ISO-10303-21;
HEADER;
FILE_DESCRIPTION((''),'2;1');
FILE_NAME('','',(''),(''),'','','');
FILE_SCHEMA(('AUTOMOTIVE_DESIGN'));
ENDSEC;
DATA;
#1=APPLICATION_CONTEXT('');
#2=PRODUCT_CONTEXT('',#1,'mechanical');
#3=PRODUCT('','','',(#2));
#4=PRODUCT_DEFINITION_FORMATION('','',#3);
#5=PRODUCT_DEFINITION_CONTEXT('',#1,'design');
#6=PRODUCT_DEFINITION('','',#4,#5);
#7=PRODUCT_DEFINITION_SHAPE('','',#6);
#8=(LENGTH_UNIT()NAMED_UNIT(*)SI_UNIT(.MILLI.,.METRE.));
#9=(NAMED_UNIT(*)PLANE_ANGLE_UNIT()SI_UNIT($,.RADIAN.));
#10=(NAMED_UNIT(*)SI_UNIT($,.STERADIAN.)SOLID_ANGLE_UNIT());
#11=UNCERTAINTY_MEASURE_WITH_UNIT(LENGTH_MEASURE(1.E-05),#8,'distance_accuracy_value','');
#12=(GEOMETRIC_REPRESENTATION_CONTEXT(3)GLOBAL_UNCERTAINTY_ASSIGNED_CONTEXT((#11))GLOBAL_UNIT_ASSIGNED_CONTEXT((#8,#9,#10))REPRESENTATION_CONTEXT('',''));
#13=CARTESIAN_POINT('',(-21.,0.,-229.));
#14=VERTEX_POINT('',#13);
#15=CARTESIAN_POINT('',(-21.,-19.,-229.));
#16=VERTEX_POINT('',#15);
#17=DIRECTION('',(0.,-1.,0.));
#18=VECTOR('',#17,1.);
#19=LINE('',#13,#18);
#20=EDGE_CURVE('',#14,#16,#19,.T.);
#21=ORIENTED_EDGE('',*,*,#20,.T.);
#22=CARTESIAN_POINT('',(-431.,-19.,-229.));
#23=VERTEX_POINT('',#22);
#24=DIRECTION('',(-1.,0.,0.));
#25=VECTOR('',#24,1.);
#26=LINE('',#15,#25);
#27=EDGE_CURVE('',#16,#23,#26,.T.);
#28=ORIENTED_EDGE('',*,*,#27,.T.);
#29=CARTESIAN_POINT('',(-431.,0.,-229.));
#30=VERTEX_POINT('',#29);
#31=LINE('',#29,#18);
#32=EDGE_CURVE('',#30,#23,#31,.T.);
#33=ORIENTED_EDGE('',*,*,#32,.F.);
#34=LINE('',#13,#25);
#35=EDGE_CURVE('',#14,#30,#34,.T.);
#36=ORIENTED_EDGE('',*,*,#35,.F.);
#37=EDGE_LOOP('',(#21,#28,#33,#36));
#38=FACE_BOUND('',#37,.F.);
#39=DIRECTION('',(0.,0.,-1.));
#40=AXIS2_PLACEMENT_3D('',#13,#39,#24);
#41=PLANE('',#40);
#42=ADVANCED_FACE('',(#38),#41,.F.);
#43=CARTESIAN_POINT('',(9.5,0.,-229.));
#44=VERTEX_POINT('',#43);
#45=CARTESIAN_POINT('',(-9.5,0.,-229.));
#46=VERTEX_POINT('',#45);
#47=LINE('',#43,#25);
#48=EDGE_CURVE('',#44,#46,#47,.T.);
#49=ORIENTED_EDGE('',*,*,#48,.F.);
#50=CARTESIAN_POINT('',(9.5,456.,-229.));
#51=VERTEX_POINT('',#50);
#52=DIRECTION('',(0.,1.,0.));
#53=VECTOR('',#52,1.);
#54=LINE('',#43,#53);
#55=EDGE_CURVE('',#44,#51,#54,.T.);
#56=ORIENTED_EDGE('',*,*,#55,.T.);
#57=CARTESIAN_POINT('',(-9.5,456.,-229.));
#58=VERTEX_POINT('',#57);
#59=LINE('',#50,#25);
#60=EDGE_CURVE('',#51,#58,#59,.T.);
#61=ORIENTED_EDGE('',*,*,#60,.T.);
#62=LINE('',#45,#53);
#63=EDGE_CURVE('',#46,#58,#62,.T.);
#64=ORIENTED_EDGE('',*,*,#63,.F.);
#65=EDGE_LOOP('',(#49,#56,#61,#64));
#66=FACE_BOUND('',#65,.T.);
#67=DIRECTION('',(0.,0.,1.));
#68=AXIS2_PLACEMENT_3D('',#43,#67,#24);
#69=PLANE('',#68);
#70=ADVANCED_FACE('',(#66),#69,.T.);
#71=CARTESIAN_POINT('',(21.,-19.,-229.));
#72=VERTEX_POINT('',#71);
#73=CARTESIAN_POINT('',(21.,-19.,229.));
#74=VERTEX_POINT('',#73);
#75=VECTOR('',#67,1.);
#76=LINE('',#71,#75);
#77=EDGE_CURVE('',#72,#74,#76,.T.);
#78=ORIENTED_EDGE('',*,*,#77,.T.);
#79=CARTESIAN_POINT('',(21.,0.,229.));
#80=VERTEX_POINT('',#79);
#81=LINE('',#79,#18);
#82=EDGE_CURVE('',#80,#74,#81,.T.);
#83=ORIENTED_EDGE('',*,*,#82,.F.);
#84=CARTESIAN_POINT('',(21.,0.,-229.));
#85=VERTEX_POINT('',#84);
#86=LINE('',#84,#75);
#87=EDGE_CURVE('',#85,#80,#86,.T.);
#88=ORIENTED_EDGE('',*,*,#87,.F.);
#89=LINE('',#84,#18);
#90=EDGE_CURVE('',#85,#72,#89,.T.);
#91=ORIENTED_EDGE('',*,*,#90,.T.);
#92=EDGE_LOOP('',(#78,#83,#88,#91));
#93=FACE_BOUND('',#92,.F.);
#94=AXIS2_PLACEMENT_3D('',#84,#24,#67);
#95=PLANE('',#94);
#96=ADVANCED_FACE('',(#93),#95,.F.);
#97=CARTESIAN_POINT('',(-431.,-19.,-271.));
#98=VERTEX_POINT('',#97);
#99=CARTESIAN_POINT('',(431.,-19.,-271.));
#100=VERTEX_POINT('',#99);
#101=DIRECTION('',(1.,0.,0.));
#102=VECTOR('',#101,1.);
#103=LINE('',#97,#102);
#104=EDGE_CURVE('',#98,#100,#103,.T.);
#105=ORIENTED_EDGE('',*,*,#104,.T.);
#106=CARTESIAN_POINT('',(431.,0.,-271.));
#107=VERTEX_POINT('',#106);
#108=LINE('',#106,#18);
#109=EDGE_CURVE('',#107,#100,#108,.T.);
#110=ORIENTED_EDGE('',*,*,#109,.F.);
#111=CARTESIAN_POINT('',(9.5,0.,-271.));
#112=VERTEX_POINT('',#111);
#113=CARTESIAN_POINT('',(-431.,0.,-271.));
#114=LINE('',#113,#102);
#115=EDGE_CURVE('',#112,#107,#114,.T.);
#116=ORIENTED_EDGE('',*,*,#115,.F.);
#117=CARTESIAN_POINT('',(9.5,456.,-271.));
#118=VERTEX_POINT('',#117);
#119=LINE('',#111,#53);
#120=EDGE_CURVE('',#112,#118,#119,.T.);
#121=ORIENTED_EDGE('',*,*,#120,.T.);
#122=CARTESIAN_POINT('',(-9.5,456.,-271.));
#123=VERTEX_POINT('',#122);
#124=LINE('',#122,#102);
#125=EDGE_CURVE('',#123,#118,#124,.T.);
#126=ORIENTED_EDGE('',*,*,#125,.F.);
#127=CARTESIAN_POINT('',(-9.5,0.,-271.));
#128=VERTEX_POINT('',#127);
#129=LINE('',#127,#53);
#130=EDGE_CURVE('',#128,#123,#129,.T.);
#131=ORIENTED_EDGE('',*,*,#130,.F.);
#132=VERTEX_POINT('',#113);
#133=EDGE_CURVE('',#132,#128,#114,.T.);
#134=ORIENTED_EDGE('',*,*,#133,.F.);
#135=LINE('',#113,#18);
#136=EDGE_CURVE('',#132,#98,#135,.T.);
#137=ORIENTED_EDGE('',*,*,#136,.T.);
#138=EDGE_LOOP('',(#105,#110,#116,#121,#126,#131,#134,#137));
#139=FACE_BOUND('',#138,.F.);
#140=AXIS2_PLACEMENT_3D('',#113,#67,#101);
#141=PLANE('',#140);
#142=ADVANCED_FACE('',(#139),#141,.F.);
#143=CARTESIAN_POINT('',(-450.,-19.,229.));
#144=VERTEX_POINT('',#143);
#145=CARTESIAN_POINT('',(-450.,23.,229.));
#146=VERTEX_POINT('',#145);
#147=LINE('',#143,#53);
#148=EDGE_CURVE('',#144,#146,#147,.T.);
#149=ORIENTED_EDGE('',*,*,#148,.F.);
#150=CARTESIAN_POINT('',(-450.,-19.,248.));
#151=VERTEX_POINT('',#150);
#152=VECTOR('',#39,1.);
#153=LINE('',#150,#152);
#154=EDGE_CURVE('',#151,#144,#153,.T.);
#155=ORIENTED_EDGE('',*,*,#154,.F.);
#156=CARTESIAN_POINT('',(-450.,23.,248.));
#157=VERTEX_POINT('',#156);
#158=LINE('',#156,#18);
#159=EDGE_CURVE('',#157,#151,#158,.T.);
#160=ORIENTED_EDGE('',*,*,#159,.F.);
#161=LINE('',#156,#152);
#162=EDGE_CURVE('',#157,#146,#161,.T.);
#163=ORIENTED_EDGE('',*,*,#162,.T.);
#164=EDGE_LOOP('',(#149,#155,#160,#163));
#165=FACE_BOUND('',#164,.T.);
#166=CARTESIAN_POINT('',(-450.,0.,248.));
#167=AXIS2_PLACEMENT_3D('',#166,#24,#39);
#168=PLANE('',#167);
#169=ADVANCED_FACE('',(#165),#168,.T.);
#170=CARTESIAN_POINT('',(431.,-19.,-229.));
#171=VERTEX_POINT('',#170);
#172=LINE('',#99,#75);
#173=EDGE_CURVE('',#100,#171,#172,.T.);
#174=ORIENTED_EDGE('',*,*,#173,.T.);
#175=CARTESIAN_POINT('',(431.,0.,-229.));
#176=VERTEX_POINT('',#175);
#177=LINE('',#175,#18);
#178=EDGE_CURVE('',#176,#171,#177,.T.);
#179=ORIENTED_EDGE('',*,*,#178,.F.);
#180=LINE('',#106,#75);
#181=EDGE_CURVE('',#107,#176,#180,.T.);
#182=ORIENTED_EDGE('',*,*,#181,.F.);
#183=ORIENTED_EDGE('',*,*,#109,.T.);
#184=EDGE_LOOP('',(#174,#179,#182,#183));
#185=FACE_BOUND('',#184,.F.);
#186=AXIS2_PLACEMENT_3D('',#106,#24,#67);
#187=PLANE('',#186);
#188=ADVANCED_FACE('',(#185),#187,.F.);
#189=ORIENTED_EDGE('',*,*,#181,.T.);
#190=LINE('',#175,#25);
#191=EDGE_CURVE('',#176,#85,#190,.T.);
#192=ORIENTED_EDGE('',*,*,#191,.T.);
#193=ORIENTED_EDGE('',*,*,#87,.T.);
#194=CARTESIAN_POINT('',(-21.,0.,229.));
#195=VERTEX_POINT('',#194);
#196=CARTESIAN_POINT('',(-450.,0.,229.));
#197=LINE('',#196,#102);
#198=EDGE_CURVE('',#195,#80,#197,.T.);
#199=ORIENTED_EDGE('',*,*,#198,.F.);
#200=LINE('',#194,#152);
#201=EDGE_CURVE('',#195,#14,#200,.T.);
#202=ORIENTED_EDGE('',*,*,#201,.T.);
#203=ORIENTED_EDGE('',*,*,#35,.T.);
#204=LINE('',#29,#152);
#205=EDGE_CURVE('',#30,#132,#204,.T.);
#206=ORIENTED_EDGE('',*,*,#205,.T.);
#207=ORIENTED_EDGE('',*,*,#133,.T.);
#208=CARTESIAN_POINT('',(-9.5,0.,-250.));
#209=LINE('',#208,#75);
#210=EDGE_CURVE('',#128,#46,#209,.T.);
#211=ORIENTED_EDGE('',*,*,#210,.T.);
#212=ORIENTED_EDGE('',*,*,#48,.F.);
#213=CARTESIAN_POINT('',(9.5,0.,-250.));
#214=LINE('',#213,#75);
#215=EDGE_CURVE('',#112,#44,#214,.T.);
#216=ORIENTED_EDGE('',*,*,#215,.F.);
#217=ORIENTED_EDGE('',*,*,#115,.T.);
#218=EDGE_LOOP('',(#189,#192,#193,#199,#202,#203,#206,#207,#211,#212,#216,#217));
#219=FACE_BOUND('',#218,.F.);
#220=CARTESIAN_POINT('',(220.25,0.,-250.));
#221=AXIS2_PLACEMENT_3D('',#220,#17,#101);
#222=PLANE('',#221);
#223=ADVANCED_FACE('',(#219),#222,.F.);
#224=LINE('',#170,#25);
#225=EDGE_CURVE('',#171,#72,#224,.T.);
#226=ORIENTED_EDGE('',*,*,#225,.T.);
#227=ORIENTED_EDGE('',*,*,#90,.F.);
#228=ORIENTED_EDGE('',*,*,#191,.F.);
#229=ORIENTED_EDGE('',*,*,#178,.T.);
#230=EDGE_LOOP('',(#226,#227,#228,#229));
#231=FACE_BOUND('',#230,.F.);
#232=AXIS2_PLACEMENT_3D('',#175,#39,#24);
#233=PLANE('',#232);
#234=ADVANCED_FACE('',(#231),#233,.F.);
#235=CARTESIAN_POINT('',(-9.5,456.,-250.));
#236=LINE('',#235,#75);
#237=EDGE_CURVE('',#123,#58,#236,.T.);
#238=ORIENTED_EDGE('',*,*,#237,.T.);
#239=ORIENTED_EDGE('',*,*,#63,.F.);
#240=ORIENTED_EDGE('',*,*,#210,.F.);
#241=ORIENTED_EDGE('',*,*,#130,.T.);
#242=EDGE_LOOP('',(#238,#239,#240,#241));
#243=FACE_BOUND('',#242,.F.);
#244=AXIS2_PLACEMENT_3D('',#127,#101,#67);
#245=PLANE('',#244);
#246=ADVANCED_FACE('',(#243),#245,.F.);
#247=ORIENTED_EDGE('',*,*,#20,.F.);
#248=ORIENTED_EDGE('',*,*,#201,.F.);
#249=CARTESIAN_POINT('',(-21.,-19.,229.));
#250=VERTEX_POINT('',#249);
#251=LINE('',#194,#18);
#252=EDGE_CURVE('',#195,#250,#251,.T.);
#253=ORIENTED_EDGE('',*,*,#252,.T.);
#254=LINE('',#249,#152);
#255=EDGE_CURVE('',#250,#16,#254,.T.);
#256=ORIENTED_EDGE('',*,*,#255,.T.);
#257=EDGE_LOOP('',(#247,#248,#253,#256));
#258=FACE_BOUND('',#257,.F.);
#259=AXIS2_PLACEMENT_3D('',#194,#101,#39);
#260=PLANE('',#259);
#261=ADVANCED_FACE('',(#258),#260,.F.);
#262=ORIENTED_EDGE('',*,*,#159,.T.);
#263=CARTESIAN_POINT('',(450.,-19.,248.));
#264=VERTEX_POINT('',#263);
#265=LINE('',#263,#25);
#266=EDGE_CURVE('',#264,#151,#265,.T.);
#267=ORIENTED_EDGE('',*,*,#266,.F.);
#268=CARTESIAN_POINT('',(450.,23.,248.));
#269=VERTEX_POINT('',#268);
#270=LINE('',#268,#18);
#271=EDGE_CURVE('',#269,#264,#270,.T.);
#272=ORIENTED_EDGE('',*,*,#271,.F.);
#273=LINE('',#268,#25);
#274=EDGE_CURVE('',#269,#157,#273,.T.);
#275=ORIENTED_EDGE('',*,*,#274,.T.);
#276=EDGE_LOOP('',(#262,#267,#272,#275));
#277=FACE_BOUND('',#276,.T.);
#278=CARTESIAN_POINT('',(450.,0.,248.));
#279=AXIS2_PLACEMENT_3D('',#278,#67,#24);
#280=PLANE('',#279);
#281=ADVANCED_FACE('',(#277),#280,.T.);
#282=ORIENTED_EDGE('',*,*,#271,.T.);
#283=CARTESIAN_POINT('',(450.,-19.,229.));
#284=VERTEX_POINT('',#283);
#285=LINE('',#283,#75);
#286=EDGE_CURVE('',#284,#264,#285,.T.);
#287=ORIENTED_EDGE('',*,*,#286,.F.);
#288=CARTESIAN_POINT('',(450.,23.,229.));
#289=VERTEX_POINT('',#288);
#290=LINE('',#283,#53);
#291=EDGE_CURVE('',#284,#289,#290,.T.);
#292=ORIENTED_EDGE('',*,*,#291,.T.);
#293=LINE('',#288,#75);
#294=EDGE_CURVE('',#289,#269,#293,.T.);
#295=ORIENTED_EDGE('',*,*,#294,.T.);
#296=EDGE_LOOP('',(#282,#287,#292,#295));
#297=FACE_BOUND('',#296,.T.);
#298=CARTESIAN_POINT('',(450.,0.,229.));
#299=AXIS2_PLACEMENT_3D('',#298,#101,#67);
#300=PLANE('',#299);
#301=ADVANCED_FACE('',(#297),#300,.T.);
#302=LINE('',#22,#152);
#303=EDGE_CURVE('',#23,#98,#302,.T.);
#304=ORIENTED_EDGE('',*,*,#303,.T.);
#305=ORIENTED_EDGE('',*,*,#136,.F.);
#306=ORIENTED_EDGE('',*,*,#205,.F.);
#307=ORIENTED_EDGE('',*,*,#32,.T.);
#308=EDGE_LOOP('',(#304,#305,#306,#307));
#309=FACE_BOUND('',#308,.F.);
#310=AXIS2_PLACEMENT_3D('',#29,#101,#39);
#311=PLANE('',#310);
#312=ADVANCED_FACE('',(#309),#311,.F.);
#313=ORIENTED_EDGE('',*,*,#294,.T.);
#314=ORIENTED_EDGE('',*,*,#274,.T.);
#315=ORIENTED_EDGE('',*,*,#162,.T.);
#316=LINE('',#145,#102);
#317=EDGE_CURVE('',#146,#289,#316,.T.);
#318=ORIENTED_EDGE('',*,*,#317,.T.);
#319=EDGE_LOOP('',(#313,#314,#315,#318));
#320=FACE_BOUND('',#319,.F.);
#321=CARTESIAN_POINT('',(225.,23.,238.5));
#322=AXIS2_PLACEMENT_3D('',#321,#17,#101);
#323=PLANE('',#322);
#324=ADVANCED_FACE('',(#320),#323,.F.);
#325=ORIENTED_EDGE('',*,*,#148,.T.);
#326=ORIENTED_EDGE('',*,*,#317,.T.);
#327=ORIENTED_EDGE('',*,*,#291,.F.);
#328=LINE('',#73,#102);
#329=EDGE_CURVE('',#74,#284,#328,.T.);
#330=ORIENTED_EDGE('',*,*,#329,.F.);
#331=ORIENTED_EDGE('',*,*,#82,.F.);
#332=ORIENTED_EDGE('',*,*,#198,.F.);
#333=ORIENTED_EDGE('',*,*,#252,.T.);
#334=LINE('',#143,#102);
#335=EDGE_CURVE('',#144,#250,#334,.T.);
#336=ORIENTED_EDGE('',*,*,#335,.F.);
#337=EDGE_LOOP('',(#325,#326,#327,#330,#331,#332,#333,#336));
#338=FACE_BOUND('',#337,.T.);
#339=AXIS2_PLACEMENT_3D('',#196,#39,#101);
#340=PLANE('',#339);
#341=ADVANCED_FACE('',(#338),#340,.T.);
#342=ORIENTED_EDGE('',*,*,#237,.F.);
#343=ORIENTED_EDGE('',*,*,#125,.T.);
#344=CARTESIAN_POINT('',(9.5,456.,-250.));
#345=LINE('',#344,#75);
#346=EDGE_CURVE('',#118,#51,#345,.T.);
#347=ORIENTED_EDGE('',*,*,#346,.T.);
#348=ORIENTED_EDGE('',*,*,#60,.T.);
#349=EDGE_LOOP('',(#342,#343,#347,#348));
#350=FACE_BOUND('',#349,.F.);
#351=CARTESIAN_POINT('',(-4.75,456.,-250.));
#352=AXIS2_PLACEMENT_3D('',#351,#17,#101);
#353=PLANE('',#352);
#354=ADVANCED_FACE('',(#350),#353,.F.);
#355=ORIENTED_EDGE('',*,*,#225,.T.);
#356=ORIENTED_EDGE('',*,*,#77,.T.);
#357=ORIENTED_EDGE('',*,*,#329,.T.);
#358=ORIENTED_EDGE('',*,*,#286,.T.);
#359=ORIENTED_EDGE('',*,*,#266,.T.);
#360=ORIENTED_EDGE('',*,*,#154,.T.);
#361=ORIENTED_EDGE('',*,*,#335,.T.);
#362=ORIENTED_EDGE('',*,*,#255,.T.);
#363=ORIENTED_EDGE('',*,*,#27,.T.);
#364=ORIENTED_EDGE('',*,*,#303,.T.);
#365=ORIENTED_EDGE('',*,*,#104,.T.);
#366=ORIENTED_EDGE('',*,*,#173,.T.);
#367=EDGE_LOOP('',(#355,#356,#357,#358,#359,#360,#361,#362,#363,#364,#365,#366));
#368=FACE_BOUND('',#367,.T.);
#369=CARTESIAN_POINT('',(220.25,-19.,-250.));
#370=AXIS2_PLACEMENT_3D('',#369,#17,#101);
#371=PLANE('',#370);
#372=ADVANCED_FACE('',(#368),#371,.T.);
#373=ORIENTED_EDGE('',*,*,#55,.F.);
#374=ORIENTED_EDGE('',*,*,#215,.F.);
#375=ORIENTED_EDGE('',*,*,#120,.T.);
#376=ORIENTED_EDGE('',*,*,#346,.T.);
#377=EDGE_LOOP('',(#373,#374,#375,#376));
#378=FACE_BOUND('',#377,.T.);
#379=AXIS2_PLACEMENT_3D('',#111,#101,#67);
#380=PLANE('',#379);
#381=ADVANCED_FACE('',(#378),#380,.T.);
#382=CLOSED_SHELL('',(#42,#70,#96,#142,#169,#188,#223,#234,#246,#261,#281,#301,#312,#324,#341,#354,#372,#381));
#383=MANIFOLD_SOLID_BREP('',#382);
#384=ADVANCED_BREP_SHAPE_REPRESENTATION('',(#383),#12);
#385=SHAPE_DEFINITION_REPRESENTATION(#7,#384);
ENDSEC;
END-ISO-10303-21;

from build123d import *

# Parameters (mm, degrees)
F0_W     = 9.5
F0_H     = 42
F1_DEPTH = 19
F2_DEPTH = 456
F3_DEPTH = 23


with BuildPart() as f1:
    # F0 (on Front) → F1 (new body)
    with BuildSketch(Plane.XZ):
        Polygon((431, -229), (21, -229), (9.5, -229), (9.5, -271), (431, -271), align=None)
        Polygon((9.5, -229), (21, -229), (21, 229), (0, 229), (-21, 229), (-21, -229), (-9.5, -229), (0, -229), align=None)
        with Locations((4.75, -250)):
            Rectangle(F0_W, F0_H)
        Polygon((0, 229), (21, 229), (450, 229), (450, 248), (0, 248), align=None)
        with Locations((-4.75, -250)):
            Rectangle(F0_W, F0_H)
        Polygon((-21, 229), (0, 229), (0, 248), (-450, 248), (-450, 229), align=None)
        Polygon((-9.5, -271), (-9.5, -229), (-21, -229), (-431, -229), (-431, -271), align=None)
    extrude(amount=F1_DEPTH)

    # F0 (on Front) → F2 (join)
    with BuildSketch(Plane.XZ):
        with Locations((-4.75, -250)):
            Rectangle(F0_W, F0_H)
        with Locations((4.75, -250)):
            Rectangle(F0_W, F0_H)
    extrude(amount=-F2_DEPTH)

    # F0 (on Front) → F3 (join)
    with BuildSketch(Plane.XZ):
        Polygon((0, 229), (21, 229), (450, 229), (450, 248), (0, 248), align=None)
        Polygon((-21, 229), (0, 229), (0, 248), (-450, 248), (-450, 229), align=None)
    extrude(amount=-F3_DEPTH)


solid = f1.part
